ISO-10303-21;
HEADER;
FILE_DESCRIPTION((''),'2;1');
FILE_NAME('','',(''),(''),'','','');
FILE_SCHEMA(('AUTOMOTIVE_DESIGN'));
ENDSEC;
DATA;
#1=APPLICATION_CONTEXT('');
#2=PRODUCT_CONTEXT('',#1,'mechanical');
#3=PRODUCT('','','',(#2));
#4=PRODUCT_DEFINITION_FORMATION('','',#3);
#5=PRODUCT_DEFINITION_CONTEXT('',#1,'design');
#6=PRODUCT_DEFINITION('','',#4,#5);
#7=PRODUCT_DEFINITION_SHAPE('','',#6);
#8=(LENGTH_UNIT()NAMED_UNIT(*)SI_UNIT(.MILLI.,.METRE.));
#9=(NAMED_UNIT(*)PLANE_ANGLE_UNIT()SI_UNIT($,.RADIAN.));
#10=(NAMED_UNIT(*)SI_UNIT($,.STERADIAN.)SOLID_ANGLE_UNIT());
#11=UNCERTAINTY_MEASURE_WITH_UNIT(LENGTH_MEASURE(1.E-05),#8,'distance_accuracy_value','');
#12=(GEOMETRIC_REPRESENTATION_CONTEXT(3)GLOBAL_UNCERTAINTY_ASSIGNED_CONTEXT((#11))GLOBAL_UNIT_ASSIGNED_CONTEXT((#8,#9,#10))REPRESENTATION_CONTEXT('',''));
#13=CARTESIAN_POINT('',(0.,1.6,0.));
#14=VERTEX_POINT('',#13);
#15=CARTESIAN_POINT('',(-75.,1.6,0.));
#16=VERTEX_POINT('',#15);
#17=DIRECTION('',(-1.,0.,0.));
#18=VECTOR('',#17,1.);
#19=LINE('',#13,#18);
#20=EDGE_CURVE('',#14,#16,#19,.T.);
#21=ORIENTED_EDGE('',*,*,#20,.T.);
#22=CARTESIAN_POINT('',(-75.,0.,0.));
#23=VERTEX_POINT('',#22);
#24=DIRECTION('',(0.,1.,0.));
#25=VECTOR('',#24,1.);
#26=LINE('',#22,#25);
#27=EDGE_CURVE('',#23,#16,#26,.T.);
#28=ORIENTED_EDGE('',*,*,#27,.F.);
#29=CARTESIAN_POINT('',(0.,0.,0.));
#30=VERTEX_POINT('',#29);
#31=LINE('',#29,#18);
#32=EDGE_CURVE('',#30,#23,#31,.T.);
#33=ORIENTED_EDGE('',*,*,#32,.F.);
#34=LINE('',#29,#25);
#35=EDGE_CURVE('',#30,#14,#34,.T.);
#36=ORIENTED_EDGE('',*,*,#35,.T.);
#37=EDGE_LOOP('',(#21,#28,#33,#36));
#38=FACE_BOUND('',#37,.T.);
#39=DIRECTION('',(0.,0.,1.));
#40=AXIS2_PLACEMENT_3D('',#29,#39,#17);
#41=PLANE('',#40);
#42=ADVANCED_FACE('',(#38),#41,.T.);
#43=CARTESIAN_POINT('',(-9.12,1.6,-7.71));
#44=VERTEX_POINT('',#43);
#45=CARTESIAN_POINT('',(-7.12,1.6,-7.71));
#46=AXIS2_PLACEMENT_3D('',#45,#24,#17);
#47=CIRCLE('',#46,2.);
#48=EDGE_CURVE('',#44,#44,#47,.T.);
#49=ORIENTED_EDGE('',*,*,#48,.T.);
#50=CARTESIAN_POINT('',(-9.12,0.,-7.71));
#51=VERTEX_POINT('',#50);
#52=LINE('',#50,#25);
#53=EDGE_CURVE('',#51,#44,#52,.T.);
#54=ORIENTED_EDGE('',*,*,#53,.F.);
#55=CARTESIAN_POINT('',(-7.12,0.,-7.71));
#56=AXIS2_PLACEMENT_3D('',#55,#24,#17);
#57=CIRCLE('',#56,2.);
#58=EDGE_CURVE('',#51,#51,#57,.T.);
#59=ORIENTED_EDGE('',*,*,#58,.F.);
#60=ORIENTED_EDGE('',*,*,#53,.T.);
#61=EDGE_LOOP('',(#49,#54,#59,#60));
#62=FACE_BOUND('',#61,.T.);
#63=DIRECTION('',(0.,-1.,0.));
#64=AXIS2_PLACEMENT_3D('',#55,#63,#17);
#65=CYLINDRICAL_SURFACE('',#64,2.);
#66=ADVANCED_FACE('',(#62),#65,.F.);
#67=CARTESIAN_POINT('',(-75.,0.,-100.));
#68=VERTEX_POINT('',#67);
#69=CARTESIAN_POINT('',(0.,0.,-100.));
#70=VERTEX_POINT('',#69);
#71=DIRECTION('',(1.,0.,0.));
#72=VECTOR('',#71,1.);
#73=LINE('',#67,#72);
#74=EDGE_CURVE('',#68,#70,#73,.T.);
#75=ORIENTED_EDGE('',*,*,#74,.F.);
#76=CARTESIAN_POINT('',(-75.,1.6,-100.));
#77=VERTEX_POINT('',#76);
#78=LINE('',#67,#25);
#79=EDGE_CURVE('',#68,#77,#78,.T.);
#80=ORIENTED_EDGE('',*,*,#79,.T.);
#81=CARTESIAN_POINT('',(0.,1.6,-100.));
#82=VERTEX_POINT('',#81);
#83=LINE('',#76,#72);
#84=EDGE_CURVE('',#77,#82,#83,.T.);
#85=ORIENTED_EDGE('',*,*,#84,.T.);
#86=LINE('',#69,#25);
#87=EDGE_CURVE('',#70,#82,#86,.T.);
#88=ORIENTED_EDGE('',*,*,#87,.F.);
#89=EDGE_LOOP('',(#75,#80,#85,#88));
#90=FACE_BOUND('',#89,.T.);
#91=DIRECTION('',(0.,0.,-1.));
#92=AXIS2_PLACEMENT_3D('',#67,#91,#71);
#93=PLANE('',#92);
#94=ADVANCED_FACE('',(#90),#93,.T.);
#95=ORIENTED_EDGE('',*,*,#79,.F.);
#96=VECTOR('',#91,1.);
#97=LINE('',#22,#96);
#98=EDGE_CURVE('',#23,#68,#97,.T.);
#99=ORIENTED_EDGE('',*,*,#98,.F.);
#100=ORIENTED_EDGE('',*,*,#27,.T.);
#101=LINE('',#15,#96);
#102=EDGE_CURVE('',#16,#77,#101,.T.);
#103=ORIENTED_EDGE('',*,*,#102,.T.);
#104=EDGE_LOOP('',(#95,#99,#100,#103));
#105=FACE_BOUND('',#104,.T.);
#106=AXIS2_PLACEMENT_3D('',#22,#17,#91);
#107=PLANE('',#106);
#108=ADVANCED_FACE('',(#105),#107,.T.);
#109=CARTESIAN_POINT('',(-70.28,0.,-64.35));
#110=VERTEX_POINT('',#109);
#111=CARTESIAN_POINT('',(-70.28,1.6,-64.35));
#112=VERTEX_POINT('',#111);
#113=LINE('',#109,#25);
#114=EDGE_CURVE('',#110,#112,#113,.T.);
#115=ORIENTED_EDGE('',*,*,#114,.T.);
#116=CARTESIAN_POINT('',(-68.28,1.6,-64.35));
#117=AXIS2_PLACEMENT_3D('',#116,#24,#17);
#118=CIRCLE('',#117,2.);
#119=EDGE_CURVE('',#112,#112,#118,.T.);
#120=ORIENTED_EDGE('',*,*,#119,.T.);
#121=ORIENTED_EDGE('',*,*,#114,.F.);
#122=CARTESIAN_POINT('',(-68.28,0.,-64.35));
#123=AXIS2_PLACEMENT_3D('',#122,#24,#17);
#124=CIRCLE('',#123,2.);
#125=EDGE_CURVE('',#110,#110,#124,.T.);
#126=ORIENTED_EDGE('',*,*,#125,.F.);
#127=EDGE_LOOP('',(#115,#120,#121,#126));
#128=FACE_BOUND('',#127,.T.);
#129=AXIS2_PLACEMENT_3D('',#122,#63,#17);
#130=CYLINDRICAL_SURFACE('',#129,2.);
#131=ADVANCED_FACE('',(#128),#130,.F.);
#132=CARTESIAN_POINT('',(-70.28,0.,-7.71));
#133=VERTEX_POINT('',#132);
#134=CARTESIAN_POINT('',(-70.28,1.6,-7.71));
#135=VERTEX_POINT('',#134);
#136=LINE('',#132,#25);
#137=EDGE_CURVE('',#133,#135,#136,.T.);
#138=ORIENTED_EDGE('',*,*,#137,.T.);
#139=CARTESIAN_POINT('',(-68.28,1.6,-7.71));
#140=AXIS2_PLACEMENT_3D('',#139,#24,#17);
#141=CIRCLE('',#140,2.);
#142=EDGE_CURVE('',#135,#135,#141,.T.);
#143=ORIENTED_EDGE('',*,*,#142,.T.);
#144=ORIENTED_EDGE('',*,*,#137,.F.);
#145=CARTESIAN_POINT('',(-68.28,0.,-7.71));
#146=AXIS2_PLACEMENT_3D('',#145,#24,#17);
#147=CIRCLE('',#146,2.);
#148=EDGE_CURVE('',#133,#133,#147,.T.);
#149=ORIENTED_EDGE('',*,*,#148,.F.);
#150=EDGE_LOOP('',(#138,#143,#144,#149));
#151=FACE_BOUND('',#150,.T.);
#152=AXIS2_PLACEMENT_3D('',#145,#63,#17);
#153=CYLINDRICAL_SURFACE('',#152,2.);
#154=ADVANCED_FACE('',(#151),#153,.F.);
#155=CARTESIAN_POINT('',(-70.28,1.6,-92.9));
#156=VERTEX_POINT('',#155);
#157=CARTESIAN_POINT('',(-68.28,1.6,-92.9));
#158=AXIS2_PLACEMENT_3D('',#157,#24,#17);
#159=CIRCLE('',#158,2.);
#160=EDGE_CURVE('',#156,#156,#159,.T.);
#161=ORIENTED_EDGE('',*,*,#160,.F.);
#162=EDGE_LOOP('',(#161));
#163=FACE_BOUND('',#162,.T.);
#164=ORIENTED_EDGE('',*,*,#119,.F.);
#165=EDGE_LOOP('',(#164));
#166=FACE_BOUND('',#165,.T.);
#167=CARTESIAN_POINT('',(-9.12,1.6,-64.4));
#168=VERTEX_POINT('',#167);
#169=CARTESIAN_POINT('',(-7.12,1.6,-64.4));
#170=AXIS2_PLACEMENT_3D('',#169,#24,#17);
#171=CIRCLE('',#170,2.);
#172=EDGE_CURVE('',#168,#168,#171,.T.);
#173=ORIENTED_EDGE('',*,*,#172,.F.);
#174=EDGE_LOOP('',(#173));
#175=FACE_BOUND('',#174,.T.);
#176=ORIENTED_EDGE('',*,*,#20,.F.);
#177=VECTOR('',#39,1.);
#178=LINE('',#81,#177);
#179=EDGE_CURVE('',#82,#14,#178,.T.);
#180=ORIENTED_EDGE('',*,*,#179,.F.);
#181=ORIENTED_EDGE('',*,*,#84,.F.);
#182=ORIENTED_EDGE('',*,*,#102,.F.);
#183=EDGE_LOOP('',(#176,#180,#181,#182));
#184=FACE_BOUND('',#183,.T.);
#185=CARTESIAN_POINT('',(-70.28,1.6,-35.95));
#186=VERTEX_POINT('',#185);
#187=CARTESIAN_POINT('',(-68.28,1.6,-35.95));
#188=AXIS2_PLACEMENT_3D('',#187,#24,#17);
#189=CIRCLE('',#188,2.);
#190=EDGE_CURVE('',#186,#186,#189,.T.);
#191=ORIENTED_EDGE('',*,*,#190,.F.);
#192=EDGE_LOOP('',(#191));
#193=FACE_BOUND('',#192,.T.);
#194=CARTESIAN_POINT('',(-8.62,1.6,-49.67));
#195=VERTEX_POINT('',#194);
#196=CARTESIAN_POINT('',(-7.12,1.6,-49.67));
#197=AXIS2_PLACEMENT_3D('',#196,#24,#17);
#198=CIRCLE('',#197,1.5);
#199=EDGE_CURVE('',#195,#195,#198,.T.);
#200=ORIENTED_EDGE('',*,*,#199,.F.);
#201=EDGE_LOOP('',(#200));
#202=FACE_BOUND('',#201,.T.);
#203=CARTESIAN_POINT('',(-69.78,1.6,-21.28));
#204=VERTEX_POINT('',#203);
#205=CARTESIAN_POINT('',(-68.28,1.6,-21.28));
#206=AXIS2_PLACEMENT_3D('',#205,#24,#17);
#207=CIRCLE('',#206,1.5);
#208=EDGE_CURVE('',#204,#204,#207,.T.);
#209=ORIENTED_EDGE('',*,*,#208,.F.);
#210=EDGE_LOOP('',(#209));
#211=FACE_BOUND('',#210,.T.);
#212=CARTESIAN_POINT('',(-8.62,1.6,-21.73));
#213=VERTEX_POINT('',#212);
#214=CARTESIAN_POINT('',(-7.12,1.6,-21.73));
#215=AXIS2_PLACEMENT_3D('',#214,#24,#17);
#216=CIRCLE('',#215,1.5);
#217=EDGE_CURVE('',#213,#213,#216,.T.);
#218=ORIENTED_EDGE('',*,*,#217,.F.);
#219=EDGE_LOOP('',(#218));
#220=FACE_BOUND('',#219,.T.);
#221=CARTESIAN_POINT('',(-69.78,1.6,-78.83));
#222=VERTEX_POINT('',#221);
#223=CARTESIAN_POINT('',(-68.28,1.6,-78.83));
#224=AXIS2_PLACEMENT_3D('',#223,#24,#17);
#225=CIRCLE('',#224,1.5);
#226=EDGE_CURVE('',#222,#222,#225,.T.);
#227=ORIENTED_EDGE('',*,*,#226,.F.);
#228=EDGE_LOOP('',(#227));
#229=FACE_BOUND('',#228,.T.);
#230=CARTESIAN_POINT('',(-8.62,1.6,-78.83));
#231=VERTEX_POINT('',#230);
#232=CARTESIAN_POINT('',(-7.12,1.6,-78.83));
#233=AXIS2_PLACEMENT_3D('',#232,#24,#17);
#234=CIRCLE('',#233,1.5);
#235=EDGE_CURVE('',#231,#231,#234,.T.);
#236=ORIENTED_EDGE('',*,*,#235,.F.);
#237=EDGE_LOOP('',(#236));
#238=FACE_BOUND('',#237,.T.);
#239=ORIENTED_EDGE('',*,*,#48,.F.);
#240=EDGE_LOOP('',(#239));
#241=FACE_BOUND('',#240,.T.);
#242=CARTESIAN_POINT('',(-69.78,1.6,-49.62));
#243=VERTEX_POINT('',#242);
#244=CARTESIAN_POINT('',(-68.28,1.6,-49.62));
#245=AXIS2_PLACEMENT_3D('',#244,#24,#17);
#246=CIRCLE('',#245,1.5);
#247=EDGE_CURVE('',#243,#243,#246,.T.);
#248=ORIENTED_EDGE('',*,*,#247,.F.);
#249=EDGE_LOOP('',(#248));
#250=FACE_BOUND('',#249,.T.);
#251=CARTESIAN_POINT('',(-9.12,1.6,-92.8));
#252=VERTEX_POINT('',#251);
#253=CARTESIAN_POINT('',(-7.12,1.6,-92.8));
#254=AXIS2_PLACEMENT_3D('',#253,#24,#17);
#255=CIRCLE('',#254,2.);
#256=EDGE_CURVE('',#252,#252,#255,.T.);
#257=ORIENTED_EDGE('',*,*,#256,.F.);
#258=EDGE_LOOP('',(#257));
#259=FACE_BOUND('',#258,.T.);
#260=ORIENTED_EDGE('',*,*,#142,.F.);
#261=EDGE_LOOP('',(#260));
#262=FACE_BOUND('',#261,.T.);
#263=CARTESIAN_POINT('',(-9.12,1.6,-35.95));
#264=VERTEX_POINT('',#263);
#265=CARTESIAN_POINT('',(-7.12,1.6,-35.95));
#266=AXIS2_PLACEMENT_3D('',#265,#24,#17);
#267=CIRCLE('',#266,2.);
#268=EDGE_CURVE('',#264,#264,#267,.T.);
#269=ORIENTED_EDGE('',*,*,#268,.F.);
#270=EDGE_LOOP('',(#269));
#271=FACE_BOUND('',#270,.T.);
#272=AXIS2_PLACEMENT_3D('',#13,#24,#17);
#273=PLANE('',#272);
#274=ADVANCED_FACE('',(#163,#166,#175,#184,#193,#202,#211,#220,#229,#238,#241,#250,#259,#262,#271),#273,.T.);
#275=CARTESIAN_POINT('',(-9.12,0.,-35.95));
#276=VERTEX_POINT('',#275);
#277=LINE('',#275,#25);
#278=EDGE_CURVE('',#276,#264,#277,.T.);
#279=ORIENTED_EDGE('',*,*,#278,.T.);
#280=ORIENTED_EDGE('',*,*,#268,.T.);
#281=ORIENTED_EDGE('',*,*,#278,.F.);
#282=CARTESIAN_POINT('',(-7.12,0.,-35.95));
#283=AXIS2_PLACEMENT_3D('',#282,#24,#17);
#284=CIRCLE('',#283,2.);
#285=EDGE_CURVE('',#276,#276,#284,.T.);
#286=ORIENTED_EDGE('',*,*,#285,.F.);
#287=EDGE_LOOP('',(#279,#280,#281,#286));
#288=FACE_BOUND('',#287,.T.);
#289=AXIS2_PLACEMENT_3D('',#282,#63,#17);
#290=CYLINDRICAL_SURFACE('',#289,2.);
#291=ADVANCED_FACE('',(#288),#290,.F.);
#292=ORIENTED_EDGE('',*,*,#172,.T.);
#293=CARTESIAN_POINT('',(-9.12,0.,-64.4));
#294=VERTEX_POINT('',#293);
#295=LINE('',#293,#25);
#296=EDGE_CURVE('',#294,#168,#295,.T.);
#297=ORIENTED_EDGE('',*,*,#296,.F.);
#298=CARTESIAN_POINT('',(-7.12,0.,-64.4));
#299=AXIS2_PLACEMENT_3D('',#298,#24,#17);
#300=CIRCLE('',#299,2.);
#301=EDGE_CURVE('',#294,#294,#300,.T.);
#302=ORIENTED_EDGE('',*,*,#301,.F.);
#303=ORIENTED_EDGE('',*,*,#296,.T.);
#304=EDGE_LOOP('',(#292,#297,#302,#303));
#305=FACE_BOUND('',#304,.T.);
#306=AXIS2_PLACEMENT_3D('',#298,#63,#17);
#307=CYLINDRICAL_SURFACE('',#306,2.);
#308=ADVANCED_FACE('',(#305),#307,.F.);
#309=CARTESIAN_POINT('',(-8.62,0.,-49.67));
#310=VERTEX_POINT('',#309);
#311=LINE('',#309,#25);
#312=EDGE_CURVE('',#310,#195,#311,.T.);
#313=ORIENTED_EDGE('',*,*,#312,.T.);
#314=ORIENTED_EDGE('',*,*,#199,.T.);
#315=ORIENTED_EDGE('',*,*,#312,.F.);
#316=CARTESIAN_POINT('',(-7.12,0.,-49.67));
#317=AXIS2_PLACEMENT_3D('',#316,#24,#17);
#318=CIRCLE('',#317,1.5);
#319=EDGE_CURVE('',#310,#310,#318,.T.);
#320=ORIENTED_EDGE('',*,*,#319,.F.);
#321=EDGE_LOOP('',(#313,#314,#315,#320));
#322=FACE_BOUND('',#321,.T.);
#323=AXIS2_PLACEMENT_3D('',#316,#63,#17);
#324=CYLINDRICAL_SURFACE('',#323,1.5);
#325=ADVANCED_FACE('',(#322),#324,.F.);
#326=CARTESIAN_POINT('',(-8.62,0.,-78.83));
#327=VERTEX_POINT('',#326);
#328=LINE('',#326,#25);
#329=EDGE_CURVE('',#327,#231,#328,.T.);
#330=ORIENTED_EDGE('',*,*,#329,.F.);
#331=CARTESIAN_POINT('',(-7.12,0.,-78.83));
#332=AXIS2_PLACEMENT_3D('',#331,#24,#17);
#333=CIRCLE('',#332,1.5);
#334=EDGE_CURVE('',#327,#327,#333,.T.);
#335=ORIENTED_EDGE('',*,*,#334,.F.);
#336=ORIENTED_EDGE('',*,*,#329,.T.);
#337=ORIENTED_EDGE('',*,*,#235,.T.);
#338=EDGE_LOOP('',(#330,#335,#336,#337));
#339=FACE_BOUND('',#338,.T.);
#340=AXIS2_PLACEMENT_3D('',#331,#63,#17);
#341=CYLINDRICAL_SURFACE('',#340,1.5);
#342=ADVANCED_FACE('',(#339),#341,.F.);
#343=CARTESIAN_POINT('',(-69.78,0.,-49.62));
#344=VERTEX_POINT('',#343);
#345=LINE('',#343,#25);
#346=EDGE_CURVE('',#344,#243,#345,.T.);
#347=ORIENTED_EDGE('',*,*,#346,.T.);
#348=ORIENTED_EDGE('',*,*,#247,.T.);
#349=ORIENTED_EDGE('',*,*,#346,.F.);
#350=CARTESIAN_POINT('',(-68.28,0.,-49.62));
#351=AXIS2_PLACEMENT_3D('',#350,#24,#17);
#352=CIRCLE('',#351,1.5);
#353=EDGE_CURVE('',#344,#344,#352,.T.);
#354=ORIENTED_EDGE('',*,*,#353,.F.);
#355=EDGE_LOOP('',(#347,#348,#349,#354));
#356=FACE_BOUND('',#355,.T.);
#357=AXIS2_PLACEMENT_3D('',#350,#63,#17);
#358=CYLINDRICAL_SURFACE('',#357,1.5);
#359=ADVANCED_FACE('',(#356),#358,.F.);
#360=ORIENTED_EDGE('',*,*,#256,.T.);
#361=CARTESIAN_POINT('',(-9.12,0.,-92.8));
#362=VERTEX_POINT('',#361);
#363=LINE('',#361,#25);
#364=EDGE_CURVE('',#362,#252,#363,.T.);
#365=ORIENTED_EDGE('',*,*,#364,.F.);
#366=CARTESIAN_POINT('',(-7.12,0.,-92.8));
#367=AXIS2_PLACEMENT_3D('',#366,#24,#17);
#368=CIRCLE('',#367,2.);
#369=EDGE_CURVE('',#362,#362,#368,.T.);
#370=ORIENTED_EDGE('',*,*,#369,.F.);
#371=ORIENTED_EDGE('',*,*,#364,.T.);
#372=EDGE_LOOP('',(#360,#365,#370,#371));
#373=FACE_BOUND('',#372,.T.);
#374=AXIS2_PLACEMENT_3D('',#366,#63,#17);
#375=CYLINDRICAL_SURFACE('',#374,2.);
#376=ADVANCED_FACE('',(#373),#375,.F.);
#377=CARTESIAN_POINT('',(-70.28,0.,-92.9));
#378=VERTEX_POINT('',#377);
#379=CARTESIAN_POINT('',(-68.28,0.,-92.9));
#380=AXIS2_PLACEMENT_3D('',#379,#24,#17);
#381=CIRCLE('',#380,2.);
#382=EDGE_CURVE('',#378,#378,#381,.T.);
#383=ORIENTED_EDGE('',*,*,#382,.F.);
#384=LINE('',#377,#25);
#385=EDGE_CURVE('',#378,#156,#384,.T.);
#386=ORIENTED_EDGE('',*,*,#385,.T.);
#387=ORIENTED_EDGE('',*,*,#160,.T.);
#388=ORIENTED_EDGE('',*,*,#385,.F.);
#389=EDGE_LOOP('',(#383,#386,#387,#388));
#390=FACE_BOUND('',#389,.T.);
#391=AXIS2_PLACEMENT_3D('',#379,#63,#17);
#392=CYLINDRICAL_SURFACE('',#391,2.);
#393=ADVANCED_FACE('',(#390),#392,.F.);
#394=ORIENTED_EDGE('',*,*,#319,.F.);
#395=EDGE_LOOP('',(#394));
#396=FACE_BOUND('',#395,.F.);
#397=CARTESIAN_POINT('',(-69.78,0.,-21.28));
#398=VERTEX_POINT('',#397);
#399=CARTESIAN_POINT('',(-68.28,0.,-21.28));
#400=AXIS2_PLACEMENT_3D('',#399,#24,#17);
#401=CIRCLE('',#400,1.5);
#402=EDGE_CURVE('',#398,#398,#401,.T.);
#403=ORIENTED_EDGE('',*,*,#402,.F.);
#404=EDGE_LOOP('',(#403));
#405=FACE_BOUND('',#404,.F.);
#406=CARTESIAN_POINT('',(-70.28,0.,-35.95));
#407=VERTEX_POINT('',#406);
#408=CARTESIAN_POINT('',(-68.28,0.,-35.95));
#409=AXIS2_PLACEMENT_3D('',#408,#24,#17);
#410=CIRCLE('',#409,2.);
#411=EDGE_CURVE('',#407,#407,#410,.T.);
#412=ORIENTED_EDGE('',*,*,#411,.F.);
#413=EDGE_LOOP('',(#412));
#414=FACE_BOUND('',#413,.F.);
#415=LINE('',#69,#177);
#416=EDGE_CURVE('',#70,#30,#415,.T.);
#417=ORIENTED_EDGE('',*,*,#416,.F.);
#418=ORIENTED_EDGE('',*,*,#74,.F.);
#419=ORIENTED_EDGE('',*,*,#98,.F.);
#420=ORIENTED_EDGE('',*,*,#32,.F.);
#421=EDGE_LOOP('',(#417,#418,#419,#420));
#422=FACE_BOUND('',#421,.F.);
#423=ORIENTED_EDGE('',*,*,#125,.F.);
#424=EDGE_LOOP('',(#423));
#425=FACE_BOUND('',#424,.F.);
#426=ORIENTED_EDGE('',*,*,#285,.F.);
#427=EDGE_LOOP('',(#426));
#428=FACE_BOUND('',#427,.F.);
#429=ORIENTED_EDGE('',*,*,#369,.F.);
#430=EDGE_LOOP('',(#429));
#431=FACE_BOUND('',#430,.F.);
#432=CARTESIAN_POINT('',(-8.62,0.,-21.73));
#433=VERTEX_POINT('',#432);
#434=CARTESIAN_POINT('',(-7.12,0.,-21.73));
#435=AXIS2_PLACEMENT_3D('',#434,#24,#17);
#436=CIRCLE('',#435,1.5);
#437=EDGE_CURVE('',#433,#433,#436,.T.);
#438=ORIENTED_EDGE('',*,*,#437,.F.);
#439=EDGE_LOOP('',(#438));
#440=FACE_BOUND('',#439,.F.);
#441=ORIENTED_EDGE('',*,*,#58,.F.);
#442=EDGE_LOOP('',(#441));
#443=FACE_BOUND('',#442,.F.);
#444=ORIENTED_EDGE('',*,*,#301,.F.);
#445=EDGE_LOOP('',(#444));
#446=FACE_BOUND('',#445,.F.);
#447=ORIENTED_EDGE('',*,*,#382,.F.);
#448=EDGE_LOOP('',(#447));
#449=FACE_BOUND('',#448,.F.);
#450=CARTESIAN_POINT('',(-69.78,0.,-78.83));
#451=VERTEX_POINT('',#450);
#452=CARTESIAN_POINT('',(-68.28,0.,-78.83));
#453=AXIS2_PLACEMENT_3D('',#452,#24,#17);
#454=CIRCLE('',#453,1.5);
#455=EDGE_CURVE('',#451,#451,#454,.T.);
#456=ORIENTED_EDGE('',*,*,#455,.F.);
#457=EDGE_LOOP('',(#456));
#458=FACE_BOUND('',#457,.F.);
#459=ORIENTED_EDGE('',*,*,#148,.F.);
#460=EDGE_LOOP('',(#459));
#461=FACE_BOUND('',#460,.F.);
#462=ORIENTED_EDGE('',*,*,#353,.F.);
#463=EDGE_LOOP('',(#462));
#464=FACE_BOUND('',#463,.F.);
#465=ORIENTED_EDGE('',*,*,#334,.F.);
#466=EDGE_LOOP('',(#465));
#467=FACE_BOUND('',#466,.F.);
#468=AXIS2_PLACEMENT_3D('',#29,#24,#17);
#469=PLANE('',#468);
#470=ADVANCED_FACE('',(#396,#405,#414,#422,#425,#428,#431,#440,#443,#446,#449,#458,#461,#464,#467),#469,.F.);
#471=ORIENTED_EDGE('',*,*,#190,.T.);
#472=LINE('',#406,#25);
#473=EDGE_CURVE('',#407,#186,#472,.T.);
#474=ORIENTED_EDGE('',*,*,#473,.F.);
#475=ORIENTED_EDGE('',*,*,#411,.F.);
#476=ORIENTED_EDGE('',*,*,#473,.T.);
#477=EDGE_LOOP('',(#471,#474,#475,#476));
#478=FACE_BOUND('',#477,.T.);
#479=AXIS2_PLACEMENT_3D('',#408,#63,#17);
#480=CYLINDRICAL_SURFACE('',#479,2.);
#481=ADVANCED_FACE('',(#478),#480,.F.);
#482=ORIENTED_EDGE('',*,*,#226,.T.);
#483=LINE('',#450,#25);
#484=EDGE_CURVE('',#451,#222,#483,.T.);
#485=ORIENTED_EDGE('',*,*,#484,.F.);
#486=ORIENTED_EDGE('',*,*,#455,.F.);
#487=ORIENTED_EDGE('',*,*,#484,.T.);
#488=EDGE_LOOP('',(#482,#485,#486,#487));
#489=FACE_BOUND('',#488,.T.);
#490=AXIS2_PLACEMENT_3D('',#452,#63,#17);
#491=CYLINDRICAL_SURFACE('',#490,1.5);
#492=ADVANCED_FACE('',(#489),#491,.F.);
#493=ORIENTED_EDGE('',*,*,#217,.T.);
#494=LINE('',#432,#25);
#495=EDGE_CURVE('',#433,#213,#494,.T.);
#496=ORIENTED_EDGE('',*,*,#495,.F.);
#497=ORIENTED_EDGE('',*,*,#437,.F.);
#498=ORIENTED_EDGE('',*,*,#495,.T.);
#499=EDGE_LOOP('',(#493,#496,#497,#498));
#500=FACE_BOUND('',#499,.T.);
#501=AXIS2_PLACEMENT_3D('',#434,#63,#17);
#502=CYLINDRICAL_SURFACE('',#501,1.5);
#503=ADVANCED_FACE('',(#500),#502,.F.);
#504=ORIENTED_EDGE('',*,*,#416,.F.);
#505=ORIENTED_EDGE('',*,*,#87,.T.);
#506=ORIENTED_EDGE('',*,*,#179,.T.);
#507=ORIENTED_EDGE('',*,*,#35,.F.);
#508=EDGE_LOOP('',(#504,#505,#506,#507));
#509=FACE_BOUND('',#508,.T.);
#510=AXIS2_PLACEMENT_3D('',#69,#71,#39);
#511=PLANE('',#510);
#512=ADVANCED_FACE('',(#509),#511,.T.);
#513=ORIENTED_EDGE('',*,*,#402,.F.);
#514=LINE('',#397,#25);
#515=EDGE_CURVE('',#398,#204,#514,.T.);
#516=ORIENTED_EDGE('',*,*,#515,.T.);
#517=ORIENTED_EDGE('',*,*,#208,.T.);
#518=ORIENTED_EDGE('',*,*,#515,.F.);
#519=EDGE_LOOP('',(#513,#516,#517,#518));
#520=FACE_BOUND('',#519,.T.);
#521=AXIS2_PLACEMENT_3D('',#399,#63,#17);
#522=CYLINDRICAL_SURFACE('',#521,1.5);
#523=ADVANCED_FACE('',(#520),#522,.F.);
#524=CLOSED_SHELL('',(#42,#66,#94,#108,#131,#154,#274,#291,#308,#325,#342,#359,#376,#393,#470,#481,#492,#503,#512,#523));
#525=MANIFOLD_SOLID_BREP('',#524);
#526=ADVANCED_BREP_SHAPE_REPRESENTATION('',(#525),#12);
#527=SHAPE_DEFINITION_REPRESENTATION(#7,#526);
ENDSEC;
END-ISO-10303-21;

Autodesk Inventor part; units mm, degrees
ref_plane "YZ Plane" through (0, 0, 0) normal (1, 0, 0) x (0, 1, 0)
ref_plane "XZ Plane" through (0, 0, 0) normal (0, 1, 0) x (-1, 0, 0)
ref_plane "XY Plane" through (0, 0, 0) normal (0, 0, 1) x (1, 0, 0)
sketch "Sketch1" plane through (0, 0, 0) normal (0, 1, 0) x (-1, 0, 0)
  line L0 (0, 0) -> (75, 0)
  line L1 (75, 0) -> (75, -100)
  line L2 (75, -100) -> (0, -100)
  line L3 (0, -100) -> (0, 0)
  circle A0 centre (68.28, -7.71) radius 2
  circle A1 centre (68.28, -35.95) radius 2
  circle A2 centre (68.28, -64.35) radius 2
  circle A3 centre (68.28, -92.9) radius 2
  circle A4 centre (7.12, -7.71) radius 2
  circle A5 centre (7.12, -35.95) radius 2
  circle A6 centre (7.12, -64.4) radius 2
  circle A7 centre (7.12, -92.8) radius 2
  circle A8 centre (7.12, -21.73) radius 1.5
  circle A9 centre (7.12, -49.67) radius 1.5
  circle A10 centre (7.12, -78.83) radius 1.5
  circle A11 centre (68.28, -21.28) radius 1.5
  circle A12 centre (68.28, -49.62) radius 1.5
  circle A13 centre (68.28, -78.83) radius 1.5
  line L4 (68.28, 0) -> (68.28, -100) construction
  line L5 (7.12, 0) -> (7.12, -100) construction
  dimension "d0" = 75
  dimension "d1" = 100
  dimension "d2" = 7.12
  dimension "d3" = 6.72
  dimension "d4" = 4
  dimension "d5" = 3
  dimension "d6" = 4
  dimension "d7" = 3
  dimension "d8" = 4
  dimension "d9" = 3
  dimension "d10" = 4
  dimension "d11" = 4
  dimension "d12" = 3
  dimension "d13" = 4
  dimension "d14" = 3
  dimension "d15" = 4
  dimension "d16" = 3
  dimension "d17" = 4
  dimension "d18" = 7.71
  dimension "d19" = 21.73
  dimension "d20" = 35.95
  dimension "d21" = 49.67
  dimension "d22" = 64.4
  dimension "d23" = 78.83
  dimension "d24" = 92.8
  dimension "d25" = 7.71
  dimension "d26" = 21.28
  dimension "d27" = 35.95
  dimension "d28" = 49.62
  dimension "d29" = 64.35
  dimension "d30" = 78.83
  dimension "d31" = 92.9
extrude "Extrusion1" add sketch "Sketch1" along normal blind 1.6
properties part number "Placa"
